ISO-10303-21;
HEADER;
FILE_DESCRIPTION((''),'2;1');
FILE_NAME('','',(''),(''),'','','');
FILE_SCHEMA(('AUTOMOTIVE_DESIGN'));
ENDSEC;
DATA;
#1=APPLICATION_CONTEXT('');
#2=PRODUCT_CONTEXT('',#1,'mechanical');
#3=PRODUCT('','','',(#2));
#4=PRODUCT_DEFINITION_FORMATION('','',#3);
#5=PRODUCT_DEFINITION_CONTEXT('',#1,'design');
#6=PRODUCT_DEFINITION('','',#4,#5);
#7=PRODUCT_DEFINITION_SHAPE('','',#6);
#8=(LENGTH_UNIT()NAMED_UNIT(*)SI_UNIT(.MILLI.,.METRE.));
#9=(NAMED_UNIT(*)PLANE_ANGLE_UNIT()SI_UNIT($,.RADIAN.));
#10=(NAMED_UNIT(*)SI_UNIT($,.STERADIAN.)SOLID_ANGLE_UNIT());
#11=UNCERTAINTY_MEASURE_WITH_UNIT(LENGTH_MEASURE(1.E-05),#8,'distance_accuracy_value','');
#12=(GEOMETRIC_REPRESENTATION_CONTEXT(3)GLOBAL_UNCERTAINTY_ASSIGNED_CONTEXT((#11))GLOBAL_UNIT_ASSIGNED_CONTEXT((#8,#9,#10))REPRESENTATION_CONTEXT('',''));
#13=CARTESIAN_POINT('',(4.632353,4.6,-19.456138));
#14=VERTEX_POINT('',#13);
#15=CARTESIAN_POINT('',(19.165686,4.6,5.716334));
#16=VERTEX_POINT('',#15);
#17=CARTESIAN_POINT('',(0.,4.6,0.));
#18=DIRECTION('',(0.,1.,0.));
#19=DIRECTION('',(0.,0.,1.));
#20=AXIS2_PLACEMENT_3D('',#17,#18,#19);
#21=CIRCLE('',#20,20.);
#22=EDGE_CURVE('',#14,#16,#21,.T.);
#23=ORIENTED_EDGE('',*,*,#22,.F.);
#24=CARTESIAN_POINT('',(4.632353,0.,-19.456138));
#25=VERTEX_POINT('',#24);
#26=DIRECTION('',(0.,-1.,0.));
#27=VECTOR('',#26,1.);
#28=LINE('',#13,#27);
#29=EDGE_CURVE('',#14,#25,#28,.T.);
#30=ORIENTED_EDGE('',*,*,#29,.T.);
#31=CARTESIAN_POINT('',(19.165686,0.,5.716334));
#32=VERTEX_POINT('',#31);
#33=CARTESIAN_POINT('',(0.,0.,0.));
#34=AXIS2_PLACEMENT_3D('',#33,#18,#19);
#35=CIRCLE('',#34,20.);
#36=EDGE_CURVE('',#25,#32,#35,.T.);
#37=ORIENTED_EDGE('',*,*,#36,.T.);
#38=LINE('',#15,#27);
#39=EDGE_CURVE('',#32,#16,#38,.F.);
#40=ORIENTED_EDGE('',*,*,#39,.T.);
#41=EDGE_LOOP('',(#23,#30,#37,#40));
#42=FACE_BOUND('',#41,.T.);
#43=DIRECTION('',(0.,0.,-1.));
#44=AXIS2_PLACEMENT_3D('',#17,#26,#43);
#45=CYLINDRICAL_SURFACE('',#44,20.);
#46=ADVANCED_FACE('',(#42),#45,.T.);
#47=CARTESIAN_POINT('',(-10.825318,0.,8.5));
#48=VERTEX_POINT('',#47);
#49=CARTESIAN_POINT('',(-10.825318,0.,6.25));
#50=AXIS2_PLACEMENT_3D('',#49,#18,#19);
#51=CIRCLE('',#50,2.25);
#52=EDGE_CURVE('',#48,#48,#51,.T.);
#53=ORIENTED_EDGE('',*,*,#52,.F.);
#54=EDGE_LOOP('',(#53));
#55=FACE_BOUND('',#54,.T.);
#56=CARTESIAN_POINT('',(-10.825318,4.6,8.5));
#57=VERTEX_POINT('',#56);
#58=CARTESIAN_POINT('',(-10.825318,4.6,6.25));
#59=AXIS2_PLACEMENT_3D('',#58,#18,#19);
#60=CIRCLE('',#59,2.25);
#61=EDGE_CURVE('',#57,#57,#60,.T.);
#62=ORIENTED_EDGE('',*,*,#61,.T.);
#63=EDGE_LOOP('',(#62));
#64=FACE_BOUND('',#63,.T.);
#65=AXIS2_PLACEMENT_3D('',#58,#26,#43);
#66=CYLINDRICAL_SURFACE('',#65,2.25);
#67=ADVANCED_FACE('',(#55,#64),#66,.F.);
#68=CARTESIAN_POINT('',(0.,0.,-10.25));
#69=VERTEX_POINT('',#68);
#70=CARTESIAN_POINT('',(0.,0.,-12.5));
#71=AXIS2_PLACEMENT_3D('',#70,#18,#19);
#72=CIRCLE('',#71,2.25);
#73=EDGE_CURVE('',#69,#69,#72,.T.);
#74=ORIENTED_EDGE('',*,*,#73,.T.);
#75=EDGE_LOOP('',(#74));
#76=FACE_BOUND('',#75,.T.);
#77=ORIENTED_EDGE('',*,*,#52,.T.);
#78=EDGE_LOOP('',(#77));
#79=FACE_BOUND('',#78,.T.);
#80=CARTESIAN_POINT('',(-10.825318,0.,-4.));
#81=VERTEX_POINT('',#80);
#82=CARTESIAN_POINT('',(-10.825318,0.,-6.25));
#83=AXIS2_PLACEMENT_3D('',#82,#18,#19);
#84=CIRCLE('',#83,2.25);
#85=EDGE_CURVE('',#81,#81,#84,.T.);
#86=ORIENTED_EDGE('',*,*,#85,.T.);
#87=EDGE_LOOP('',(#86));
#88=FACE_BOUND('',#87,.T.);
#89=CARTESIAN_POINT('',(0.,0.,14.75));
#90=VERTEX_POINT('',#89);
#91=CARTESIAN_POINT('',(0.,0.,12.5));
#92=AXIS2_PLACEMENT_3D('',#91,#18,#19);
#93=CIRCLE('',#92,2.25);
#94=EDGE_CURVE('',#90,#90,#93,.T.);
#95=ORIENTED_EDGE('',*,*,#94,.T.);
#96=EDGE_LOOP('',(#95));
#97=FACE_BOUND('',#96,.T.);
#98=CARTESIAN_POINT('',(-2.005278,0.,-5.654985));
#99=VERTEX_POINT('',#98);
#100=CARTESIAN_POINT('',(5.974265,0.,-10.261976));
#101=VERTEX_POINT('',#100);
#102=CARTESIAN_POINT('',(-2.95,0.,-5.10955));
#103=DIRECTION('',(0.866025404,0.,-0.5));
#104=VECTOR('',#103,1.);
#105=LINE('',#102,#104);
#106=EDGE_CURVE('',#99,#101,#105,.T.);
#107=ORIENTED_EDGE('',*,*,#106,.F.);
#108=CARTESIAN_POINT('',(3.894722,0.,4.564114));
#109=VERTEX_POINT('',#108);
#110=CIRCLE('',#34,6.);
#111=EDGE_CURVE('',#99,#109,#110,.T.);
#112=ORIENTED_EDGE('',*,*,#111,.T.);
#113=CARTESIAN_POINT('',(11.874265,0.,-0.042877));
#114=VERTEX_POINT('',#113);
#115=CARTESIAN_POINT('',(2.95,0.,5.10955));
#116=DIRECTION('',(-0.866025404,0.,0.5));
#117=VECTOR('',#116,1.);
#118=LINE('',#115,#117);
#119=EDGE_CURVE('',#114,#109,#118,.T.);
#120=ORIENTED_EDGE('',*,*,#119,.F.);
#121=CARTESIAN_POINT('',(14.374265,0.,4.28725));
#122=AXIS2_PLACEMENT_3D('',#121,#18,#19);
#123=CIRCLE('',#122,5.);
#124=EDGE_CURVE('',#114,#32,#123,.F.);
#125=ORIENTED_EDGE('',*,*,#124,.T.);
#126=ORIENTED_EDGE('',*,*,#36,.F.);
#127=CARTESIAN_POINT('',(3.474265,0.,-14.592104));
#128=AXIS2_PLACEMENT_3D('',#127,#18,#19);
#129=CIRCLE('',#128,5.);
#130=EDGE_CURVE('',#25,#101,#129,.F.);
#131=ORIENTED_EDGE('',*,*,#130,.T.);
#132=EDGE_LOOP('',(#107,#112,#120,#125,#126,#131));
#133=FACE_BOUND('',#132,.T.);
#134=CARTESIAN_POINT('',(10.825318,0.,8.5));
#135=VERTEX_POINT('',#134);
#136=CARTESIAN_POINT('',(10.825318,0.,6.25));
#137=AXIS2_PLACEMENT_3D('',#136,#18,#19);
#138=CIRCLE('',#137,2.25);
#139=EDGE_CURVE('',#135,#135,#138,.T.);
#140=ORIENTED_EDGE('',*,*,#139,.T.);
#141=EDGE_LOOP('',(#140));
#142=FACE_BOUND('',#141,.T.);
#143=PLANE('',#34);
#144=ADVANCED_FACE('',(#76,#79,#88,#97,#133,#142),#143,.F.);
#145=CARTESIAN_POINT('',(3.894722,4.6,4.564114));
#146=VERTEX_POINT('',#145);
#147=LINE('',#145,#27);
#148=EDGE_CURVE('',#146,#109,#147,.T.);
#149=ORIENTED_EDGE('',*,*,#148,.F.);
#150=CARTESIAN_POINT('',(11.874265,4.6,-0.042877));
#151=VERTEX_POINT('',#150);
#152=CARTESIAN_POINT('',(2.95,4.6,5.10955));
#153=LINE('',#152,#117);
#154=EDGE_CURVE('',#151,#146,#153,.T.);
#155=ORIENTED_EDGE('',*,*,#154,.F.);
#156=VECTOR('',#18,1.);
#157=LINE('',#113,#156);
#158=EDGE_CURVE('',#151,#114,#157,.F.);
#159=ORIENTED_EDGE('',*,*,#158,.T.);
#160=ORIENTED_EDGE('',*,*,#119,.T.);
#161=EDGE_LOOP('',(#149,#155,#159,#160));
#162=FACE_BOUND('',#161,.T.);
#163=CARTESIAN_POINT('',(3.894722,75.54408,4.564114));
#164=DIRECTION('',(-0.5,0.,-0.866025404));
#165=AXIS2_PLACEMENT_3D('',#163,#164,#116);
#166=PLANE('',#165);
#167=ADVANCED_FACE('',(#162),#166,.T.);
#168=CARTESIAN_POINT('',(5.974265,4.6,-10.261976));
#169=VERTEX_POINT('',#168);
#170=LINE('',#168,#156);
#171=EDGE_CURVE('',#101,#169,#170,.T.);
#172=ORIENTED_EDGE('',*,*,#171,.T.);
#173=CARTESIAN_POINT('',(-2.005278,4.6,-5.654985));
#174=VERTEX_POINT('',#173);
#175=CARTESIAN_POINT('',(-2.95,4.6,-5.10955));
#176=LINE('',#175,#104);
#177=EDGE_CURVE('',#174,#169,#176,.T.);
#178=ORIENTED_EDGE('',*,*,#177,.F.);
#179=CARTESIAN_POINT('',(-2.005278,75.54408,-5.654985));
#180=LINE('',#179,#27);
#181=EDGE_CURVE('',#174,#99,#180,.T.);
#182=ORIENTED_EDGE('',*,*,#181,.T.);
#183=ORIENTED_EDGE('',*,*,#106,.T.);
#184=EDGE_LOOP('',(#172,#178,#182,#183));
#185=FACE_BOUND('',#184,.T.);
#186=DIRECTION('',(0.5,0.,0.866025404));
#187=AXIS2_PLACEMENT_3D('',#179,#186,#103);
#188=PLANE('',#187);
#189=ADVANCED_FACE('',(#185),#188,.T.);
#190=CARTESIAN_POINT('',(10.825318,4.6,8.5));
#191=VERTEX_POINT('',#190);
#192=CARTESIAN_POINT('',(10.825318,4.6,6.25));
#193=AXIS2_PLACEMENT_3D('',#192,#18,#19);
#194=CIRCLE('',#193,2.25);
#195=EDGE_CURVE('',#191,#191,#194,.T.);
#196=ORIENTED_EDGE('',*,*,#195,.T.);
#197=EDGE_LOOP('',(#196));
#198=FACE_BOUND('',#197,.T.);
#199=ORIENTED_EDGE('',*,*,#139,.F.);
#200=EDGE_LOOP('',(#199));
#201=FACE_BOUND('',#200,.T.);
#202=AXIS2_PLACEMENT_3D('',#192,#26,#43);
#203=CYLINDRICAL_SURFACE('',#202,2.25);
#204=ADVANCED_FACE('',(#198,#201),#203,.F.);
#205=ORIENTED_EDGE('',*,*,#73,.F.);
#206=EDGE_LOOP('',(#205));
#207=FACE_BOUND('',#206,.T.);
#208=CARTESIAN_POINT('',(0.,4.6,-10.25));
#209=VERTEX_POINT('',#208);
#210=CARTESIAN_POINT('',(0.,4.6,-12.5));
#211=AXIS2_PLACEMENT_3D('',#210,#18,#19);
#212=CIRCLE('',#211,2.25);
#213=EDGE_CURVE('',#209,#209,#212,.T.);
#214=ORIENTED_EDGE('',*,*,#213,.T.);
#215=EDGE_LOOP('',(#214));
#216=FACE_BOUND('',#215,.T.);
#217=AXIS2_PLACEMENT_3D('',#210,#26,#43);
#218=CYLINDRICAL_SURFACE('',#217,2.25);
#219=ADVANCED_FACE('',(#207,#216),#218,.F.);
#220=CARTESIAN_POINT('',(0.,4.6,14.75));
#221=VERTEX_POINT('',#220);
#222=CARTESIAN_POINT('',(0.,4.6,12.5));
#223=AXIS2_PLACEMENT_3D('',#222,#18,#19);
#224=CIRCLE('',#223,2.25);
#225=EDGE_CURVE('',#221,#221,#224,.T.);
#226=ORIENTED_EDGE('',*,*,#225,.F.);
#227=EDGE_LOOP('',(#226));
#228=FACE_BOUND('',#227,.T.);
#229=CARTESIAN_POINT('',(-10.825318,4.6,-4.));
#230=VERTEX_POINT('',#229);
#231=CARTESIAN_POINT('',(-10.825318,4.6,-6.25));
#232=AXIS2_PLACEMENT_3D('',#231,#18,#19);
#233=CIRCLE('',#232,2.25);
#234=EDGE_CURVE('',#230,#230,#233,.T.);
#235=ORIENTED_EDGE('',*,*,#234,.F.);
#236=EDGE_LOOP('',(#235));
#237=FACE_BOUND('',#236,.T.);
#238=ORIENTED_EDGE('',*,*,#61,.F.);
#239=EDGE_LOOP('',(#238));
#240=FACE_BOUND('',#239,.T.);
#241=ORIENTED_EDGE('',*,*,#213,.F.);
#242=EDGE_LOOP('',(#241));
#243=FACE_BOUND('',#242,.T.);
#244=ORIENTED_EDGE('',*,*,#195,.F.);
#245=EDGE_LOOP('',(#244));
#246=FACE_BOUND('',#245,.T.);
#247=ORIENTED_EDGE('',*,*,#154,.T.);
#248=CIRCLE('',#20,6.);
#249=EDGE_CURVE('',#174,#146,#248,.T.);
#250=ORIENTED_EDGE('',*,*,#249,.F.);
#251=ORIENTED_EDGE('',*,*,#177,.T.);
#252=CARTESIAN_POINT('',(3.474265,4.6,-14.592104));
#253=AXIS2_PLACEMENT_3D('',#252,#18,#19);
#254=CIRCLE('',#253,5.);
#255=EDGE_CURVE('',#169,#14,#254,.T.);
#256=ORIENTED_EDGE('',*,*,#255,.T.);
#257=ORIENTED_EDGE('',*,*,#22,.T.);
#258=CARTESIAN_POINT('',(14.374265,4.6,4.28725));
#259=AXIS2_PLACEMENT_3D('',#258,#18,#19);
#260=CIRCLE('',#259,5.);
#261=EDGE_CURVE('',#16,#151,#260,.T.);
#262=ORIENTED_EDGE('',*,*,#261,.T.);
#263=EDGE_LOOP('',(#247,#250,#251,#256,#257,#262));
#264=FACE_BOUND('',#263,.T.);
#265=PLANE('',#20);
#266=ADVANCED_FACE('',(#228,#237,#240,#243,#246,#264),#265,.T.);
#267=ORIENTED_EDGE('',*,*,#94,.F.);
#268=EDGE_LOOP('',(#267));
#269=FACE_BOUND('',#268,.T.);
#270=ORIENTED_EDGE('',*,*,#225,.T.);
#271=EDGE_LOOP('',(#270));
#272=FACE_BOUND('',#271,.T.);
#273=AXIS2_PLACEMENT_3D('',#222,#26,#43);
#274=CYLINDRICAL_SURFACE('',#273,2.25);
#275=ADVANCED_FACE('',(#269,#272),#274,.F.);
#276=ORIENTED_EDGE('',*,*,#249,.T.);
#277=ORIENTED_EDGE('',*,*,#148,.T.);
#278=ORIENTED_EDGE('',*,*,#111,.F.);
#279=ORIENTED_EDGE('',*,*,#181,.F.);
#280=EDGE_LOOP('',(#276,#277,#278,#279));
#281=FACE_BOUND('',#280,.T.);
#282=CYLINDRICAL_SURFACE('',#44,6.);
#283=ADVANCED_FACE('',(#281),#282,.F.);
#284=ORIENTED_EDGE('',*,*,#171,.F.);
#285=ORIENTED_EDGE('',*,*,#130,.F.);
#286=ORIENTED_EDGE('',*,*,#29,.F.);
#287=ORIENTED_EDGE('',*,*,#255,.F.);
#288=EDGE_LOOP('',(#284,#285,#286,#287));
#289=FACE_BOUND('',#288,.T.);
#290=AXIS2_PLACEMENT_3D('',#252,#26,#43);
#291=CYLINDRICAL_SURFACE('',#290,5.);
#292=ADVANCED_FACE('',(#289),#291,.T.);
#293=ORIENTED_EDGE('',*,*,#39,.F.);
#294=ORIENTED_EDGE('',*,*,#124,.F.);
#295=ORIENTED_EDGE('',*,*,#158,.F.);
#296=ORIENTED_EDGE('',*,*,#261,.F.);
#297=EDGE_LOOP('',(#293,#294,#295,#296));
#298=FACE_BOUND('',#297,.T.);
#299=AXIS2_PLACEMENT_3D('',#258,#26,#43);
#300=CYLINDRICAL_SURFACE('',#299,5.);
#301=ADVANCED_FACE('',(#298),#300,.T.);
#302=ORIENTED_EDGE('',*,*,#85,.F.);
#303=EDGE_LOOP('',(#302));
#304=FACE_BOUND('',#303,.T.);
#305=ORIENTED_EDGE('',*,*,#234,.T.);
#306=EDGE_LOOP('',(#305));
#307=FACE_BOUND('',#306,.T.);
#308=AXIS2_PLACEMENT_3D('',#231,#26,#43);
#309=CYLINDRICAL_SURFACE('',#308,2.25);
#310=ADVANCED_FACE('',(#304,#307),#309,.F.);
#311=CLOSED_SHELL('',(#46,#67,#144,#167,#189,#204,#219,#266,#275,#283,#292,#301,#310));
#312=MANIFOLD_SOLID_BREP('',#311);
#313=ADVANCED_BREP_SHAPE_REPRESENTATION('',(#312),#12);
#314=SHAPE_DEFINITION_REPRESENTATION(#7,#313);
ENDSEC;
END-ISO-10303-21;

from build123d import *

# Parameters (mm, degrees)
SKETCH1_R               = 20
SKETCH1_R_2             = 6
SKETCH1_R_3             = 2.25
BOSS_EXTRUDE1_DEPTH     = 4.6
CUT_EXTRUDE1_DEPTH      = 29.655889447
CUT_EXTRUDE1_DEPTH_BACK = 29.655889447
SKETCH2_R               = 2.25
FILLET2_R               = 5


with BuildPart() as part:
    # Sketch1 → Boss-Extrude1 (new body)
    with BuildSketch(Plane(origin=(0, 0, 0), x_dir=(1, 0, 0), z_dir=(0, 1, 0))):
        with Locations(Location((0, 0, 0), (0, 0, 270))):
            Circle(SKETCH1_R)
        with Locations(Location((0, 0, 0), (0, 0, 270))):
            Circle(SKETCH1_R_2, mode=Mode.SUBTRACT)
        with Locations(Location((0, 12.5, 0), (0, 0, 270))):
            Circle(SKETCH1_R_3, mode=Mode.SUBTRACT)
        with Locations(Location((10.825317547, 6.25, 0), (0, 0, 270))):
            Circle(SKETCH1_R_3, mode=Mode.SUBTRACT)
        with Locations(Location((10.825317547, -6.25, 0), (0, 0, 270))):
            Circle(SKETCH1_R_3, mode=Mode.SUBTRACT)
        with Locations(Location((0, -12.5, 0), (0, 0, 270))):
            Circle(SKETCH1_R_3, mode=Mode.SUBTRACT)
        with Locations(Location((-10.825317547, -6.25, 0), (0, 0, 270))):
            Circle(SKETCH1_R_3, mode=Mode.SUBTRACT)
        with Locations(Location((-10.825317547, 6.25, 0), (0, 0, 270))):
            Circle(SKETCH1_R_3, mode=Mode.SUBTRACT)
    extrude(amount=BOSS_EXTRUDE1_DEPTH)

    # Sketch2 → Cut-Extrude1 (cut, two sides: drawn at the far end of the back side and taken through both)
    with BuildSketch(Plane(origin=(0, 4.6, 0), x_dir=(1, 0, 0), z_dir=(0, 1, 0)).offset(-CUT_EXTRUDE1_DEPTH_BACK)):
        with BuildLine():
            Line((13.599697882, 14.66452241), (-2.005277819, 5.654985488))
            ThreePointArc((-2.005277819, 5.654985488), (3.461815498, 4.900595214), (6, 0))
            ThreePointArc((6, 0), (5.448317772, -2.5131322), (3.894722181, -4.564114277))
            Line((3.894722181, -4.564114277), (19.499697882, 4.445422645))
            ThreePointArc((19.499697882, 4.445422645), (17.320508076, 10), (13.599697882, 14.66452241))
        make_face()
        with Locations((10.825317547, 6.25)):
            Circle(SKETCH2_R, mode=Mode.SUBTRACT)
    extrude(amount=CUT_EXTRUDE1_DEPTH + CUT_EXTRUDE1_DEPTH_BACK, mode=Mode.SUBTRACT)

    # Fillet2
    fillet2_edges = [part.edges().sort_by_distance(p)[0] for p in [
        (19.499697882, 2.3, -4.445422645),
        (13.599697882, 2.3, -14.66452241),
    ]]
    fillet(fillet2_edges, radius=FILLET2_R)


solid = part.part
